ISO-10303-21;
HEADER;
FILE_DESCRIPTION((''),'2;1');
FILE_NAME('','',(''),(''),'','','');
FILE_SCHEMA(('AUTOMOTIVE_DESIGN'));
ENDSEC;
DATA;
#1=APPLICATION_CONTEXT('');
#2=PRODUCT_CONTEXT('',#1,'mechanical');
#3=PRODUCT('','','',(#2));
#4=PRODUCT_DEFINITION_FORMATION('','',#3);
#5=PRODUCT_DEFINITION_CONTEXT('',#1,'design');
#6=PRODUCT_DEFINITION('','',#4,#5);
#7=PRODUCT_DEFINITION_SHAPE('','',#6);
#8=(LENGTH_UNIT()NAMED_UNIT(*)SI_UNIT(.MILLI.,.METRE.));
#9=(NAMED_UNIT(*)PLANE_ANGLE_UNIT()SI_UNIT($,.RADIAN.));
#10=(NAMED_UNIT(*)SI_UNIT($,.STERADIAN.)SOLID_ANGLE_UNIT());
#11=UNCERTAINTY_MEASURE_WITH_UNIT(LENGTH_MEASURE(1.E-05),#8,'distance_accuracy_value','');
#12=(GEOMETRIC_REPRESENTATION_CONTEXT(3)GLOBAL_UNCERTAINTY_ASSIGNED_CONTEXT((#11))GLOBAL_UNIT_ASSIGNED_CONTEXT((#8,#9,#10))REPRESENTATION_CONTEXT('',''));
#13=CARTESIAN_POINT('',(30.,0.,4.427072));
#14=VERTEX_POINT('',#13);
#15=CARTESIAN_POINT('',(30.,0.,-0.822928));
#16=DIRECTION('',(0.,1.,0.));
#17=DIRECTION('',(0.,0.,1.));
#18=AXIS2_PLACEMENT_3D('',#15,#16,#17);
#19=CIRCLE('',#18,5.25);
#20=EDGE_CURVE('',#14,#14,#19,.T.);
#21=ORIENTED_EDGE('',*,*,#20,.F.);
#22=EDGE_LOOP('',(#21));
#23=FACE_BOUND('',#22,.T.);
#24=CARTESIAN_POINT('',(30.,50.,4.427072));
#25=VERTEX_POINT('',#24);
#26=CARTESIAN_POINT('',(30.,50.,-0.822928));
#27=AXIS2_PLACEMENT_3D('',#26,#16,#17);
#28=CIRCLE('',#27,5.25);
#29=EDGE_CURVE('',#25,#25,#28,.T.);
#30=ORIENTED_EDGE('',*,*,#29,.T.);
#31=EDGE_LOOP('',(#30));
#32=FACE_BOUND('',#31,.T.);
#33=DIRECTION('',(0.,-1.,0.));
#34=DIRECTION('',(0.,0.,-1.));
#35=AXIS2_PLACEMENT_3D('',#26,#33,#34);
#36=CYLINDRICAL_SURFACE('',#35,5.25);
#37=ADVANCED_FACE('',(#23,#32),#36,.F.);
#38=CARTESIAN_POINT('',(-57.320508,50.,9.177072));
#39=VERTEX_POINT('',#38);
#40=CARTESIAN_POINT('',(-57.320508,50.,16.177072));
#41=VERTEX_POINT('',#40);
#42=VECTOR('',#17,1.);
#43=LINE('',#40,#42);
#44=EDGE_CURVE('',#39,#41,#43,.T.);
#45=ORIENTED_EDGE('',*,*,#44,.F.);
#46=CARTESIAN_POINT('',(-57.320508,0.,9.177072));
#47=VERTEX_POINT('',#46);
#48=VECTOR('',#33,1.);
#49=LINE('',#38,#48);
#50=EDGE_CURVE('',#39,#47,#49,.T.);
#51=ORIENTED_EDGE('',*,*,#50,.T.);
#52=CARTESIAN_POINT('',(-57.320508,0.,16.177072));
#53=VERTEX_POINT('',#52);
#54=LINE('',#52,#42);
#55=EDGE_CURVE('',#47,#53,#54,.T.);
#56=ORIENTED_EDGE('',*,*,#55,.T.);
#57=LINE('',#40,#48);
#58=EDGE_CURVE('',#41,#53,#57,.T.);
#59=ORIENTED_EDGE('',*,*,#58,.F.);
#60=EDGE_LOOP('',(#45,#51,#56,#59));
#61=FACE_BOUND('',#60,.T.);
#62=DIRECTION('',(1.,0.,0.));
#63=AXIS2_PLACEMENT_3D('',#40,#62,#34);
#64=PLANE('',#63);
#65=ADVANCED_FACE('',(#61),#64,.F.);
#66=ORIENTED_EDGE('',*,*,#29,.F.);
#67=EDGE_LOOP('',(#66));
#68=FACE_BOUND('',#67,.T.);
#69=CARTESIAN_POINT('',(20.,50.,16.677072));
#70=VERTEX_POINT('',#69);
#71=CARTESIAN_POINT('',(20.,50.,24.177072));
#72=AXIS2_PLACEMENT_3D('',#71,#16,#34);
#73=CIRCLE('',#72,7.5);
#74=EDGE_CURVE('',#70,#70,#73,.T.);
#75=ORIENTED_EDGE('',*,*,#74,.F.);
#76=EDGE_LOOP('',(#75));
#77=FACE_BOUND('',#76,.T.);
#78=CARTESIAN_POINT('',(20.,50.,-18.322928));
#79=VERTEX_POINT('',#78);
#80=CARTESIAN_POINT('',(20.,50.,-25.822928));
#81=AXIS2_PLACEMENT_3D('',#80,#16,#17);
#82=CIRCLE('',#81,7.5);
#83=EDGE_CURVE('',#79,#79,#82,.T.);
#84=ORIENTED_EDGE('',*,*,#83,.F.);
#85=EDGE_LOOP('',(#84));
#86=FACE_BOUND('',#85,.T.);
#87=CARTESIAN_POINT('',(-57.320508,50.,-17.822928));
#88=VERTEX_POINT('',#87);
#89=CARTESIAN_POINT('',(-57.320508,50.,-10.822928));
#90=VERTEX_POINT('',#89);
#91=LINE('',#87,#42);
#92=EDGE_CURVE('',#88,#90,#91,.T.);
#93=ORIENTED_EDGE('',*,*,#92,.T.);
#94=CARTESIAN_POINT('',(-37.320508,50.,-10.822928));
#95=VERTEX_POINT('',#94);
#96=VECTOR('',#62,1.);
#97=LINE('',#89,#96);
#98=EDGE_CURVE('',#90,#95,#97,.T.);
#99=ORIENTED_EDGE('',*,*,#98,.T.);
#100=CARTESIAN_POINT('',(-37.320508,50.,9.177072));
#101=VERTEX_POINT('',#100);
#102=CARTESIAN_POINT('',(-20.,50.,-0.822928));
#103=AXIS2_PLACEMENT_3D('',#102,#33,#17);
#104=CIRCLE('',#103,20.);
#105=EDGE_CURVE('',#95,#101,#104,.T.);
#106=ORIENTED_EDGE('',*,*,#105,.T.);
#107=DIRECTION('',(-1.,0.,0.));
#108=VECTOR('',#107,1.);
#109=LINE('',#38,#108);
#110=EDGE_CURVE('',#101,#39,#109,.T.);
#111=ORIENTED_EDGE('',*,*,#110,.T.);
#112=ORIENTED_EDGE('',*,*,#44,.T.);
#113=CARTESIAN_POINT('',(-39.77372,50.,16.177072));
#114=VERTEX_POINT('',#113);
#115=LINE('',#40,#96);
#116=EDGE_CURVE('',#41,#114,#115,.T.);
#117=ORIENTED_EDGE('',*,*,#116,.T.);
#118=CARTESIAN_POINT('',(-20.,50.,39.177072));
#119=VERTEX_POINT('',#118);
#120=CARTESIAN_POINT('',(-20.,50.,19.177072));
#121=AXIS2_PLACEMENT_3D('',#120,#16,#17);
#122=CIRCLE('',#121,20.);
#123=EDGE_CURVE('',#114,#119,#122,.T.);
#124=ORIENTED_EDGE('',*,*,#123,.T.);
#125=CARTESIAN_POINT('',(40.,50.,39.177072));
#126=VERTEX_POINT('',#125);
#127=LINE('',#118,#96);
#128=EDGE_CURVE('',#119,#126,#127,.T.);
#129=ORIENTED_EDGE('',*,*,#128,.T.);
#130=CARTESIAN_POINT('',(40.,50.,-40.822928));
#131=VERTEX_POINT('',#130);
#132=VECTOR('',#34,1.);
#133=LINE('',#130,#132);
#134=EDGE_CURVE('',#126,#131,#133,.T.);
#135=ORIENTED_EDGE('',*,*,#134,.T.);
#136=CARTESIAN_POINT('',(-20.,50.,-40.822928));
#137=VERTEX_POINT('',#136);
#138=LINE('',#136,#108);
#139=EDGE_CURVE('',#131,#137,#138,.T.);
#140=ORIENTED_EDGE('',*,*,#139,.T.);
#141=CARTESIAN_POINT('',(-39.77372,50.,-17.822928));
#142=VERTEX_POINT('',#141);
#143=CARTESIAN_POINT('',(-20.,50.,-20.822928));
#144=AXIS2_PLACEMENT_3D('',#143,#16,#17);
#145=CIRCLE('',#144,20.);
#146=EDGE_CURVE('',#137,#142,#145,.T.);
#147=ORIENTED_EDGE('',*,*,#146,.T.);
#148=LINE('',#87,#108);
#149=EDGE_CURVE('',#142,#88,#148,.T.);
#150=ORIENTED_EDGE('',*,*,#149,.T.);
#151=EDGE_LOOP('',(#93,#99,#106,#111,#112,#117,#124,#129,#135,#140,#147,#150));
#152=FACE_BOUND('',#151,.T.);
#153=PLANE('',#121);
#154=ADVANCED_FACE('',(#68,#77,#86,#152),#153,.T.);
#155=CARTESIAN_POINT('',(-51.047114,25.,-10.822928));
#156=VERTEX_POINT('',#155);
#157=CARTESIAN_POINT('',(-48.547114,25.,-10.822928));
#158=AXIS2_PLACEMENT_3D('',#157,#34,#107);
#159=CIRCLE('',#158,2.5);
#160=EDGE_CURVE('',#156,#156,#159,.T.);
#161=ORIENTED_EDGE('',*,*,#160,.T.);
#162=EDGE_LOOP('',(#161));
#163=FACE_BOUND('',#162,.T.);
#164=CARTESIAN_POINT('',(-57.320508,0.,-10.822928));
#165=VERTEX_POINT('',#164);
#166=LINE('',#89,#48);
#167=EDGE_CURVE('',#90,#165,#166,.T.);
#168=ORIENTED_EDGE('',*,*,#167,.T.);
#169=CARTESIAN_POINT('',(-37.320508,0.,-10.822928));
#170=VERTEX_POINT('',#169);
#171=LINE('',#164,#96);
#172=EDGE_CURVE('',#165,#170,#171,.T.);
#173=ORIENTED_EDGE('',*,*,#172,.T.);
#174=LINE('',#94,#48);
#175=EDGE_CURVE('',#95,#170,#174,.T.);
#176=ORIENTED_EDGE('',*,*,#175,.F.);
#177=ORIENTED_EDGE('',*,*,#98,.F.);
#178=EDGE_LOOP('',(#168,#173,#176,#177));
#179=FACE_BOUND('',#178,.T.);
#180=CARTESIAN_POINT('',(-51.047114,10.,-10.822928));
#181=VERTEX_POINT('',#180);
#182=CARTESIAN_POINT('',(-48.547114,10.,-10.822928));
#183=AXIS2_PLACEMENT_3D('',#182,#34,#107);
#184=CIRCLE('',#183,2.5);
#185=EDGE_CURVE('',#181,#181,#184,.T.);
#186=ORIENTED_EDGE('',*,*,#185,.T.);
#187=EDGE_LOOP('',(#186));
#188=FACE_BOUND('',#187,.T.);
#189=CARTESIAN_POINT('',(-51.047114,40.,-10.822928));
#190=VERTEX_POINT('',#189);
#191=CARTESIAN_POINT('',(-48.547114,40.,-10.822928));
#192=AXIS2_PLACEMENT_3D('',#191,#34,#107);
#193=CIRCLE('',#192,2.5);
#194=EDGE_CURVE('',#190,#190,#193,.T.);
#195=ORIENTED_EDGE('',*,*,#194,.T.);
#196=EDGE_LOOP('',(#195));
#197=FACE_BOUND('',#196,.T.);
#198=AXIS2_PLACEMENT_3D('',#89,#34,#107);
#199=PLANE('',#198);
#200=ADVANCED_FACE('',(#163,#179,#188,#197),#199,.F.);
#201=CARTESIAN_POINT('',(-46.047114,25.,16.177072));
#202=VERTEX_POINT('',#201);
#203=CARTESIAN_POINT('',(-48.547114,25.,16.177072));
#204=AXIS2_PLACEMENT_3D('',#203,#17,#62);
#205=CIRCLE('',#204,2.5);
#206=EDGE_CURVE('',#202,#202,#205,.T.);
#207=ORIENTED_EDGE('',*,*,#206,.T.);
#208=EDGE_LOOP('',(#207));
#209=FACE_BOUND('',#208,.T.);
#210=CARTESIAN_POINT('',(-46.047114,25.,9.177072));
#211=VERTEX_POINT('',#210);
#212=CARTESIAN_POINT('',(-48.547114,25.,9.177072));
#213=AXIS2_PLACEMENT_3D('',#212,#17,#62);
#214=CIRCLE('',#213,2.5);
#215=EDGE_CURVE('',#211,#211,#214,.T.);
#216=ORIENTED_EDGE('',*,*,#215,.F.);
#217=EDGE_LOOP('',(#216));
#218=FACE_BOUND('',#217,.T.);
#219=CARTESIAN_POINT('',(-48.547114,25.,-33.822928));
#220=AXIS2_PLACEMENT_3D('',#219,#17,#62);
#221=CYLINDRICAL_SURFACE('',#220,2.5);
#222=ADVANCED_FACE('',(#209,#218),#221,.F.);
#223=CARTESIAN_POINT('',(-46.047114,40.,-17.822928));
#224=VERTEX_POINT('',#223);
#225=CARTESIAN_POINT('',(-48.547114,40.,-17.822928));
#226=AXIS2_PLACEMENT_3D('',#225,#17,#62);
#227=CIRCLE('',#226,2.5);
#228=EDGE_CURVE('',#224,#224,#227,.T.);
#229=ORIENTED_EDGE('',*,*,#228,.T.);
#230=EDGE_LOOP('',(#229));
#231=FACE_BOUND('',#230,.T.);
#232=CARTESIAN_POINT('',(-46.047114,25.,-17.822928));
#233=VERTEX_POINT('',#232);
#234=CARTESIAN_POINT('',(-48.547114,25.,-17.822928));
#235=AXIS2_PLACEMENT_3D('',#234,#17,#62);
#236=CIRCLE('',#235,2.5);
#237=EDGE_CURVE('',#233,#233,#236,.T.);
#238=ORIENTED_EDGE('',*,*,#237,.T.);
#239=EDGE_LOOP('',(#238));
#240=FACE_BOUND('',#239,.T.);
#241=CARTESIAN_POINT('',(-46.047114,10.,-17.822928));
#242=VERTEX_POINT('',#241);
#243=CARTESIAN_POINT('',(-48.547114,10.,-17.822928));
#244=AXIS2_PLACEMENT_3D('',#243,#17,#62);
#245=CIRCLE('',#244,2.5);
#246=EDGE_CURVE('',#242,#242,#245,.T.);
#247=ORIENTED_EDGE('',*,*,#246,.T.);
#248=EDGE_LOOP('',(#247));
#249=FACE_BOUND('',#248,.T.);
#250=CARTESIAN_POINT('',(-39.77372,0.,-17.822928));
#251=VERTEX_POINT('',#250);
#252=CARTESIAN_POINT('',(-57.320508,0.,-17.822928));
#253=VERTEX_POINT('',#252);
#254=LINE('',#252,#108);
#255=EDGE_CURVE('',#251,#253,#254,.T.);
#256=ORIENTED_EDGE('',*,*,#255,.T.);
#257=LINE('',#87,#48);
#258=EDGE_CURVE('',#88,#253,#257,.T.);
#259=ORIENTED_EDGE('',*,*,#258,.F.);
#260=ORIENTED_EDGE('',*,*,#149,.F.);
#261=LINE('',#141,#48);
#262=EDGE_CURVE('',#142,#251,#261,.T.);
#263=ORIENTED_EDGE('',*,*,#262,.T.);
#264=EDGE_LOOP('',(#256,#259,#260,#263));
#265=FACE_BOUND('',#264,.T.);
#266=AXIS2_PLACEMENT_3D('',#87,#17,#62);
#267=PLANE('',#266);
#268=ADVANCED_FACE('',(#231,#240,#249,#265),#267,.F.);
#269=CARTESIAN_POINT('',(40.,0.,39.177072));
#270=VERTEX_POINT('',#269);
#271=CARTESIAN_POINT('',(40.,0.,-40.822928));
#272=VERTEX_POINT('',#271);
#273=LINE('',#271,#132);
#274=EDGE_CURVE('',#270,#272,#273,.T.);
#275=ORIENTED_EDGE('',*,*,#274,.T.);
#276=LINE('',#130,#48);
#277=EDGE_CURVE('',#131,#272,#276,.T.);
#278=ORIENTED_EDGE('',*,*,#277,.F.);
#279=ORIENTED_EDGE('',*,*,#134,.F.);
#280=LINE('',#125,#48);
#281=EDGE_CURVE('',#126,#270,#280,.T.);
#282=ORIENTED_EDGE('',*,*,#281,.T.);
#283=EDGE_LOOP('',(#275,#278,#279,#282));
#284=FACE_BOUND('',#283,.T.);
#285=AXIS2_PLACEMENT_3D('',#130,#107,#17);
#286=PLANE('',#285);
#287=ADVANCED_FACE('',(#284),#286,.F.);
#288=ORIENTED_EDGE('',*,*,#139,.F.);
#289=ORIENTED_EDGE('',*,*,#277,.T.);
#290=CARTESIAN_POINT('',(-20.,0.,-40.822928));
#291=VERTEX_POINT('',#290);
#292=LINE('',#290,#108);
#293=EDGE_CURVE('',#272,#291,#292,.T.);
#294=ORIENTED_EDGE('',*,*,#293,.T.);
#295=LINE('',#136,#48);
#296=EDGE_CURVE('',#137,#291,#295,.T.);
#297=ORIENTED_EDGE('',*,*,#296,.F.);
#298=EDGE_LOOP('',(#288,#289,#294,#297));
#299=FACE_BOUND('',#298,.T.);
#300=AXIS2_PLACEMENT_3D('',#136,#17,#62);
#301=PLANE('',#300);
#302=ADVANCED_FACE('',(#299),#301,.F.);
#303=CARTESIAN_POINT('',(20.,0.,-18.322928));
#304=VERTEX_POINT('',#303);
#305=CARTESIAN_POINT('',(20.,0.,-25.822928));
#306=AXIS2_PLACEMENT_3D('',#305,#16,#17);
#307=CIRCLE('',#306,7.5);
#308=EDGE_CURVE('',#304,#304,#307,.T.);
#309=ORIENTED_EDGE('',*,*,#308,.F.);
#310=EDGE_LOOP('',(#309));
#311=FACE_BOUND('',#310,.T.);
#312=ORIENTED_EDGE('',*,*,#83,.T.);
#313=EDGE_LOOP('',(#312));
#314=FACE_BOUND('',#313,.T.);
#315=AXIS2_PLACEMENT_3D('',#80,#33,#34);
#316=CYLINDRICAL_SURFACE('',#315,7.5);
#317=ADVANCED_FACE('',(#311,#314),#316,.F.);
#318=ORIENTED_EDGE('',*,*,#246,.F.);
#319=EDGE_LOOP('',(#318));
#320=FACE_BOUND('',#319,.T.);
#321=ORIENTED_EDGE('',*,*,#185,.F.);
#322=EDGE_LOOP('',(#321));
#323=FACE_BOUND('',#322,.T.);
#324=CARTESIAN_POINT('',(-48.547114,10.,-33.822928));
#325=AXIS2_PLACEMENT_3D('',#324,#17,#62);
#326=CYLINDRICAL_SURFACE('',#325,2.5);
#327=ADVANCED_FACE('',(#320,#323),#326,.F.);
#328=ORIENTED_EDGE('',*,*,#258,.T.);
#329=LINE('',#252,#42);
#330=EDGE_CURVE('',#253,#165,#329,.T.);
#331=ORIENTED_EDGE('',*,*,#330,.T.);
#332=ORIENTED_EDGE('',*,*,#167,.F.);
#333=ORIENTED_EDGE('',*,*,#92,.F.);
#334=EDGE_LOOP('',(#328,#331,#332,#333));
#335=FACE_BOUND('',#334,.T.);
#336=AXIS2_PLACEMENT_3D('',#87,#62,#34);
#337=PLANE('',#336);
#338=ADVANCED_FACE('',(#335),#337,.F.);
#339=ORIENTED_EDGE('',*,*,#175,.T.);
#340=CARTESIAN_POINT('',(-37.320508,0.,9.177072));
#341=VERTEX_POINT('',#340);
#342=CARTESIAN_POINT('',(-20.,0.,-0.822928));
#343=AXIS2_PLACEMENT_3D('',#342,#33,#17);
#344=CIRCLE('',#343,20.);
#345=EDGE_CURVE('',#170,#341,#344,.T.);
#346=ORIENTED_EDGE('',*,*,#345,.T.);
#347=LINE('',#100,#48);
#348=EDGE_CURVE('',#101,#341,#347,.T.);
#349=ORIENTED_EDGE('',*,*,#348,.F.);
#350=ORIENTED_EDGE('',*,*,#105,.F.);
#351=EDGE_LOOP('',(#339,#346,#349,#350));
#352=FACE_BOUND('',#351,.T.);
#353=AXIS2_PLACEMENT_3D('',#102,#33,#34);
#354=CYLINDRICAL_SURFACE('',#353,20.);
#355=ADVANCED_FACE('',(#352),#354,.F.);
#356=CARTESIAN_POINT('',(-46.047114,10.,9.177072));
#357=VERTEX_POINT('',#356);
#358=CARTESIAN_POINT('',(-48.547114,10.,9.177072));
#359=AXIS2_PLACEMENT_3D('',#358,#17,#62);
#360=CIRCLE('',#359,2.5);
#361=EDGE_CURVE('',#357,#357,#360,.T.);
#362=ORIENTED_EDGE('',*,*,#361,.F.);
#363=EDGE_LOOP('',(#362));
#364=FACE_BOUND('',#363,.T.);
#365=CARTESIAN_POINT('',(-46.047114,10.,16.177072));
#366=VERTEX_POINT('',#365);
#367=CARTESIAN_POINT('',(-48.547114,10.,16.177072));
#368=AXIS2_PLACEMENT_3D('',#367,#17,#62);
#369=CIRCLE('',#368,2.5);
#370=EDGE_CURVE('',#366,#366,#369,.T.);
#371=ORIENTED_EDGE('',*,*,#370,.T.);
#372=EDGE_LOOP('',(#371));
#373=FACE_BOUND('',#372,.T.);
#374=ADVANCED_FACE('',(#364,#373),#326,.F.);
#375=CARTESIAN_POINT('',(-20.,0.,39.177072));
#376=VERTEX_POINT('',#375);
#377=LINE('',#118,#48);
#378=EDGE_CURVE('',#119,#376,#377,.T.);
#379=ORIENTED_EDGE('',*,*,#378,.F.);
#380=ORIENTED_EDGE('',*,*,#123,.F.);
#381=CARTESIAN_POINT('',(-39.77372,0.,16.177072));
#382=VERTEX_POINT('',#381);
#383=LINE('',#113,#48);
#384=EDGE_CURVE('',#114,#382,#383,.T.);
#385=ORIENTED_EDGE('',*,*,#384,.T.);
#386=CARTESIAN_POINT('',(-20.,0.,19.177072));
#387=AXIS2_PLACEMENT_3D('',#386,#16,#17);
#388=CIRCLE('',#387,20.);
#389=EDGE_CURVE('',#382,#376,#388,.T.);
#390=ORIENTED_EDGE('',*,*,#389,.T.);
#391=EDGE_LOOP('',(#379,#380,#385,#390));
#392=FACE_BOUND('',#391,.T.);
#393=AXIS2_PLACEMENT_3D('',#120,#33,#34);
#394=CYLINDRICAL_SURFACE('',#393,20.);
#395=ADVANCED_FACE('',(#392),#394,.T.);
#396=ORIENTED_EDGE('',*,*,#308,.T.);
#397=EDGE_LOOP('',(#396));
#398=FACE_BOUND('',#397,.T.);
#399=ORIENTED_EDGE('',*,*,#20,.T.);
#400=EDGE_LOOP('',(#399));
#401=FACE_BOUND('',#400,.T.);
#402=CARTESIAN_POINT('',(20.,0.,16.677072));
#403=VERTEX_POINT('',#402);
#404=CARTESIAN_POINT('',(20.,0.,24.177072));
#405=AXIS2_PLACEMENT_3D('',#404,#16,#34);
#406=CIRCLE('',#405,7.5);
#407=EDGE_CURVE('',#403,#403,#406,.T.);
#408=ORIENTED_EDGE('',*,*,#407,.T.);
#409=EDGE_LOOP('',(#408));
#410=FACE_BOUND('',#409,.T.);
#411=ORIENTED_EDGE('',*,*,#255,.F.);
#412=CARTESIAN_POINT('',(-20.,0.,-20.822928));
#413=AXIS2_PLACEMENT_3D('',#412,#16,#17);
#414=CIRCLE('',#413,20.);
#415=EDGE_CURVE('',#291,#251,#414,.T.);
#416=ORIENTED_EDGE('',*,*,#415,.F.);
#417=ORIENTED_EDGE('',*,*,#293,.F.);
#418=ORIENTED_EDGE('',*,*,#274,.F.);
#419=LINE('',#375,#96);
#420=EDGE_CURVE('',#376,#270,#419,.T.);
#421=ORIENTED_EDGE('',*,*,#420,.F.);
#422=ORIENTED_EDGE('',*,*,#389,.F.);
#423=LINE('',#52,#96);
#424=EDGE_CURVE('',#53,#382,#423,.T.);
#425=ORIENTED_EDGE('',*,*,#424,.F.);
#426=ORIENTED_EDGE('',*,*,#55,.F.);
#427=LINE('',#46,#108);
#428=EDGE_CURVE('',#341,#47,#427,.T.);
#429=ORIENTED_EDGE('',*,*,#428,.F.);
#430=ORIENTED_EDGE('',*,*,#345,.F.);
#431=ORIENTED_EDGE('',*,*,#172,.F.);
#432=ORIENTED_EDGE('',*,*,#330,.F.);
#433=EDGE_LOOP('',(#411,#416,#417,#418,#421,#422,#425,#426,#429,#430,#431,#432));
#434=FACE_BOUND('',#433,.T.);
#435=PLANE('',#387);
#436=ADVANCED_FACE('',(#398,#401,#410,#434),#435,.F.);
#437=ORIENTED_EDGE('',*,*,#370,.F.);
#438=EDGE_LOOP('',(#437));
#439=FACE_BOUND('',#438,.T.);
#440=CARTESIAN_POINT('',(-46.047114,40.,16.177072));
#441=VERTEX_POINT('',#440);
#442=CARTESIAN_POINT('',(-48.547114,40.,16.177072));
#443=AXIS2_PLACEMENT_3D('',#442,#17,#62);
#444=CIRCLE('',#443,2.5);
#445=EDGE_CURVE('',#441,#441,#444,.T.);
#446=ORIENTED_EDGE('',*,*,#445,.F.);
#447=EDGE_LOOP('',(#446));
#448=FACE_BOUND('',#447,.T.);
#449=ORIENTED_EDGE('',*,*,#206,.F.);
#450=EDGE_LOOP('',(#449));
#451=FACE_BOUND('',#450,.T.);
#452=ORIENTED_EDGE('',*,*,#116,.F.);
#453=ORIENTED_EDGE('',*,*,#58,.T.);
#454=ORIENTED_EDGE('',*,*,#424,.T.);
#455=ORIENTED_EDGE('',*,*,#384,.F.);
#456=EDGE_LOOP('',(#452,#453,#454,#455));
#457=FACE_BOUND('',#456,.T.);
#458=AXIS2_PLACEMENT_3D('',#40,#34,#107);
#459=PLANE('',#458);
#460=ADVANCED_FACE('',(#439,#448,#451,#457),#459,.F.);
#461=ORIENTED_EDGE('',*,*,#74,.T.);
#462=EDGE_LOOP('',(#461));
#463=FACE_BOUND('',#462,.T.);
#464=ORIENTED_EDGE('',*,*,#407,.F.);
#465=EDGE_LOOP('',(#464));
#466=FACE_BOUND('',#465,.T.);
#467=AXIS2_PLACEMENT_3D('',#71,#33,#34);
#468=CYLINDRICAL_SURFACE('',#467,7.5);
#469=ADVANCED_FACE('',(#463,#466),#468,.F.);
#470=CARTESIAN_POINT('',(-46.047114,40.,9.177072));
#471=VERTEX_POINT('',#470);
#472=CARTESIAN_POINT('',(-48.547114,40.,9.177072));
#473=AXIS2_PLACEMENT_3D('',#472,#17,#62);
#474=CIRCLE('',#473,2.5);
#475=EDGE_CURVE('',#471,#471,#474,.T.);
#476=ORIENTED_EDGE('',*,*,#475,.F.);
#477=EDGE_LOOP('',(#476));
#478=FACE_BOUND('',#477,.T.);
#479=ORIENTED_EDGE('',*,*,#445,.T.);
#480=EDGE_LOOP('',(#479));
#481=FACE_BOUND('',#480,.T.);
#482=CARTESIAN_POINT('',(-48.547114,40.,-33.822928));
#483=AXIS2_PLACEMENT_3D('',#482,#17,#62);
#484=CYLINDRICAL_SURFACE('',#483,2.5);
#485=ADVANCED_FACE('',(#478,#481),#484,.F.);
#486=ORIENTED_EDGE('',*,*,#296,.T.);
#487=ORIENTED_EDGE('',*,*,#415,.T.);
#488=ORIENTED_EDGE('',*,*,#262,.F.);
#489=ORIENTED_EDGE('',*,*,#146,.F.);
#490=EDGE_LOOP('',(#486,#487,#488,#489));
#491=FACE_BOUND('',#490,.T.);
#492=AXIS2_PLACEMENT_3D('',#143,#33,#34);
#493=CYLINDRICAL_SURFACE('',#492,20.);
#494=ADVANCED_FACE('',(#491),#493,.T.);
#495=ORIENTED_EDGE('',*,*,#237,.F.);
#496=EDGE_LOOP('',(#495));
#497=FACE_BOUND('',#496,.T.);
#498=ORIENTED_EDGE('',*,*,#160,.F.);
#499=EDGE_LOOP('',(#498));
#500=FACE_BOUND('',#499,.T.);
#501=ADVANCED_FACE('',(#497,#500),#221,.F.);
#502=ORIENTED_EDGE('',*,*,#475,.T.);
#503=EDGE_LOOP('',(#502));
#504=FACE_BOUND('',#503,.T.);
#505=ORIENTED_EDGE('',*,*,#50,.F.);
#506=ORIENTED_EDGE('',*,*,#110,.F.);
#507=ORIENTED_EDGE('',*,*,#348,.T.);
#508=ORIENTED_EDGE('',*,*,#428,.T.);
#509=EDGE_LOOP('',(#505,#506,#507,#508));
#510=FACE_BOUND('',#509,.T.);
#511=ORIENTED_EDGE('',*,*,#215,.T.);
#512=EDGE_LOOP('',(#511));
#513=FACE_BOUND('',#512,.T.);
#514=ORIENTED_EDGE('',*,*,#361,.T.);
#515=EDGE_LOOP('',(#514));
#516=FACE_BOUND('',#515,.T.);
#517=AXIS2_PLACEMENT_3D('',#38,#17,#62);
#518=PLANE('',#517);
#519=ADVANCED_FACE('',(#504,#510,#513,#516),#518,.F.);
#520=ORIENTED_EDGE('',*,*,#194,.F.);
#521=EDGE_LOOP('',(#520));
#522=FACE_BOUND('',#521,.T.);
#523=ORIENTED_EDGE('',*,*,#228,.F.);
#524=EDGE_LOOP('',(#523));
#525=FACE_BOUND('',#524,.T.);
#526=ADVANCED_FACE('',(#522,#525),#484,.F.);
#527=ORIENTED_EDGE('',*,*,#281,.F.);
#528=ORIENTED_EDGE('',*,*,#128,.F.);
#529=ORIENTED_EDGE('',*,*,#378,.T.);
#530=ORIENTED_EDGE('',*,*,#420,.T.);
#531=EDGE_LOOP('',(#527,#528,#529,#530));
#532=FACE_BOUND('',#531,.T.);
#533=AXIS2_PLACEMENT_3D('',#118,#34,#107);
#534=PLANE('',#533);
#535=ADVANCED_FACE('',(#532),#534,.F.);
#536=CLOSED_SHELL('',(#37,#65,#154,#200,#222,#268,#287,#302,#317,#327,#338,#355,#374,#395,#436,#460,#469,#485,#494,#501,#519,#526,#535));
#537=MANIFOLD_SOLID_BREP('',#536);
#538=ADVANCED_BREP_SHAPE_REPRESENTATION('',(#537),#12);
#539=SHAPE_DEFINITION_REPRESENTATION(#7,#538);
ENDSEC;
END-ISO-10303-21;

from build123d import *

# Parameters (mm, degrees)
SKETCH1_R           = 7.5
SKETCH1_R_2         = 5.25
BOSS_EXTRUDE1_DEPTH = 50
SKETCH2_R           = 2.5
CUT_EXTRUDE1_DEPTH  = 50


with BuildPart() as part:
    # Sketch1 → Boss-Extrude1 (new body)
    with BuildSketch(Plane(origin=(0, 0, 0), x_dir=(1, 0, 0), z_dir=(0, 1, 0))):
        with BuildLine():
            Line((-20, 40.822928267), (40, 40.822928267))
            Line((40, 40.822928267), (40, -39.177071733))
            Line((40, -39.177071733), (-20, -39.177071733))
            ThreePointArc((-20, -39.177071733), (-35.165750888, -32.215476544), (-39.773719933, -16.177071733))
            Line((-39.773719933, -16.177071733), (-57.320508076, -16.177071733))
            Line((-57.320508076, -16.177071733), (-57.320508076, -9.177071733))
            Line((-57.320508076, -9.177071733), (-37.320508076, -9.177071733))
            ThreePointArc((-37.320508076, -9.177071733), (0, 0.822928267), (-37.320508076, 10.822928267))
            Line((-37.320508076, 10.822928267), (-57.320508076, 10.822928267))
            Line((-57.320508076, 10.822928267), (-57.320508076, 17.822928267))
            Line((-57.320508076, 17.822928267), (-39.773719933, 17.822928267))
            ThreePointArc((-39.773719933, 17.822928267), (-35.165750888, 33.861333077), (-20, 40.822928267))
        make_face()
        with Locations(Location((20, 25.822928267, 0), (0, 0, 270))):
            Circle(SKETCH1_R, mode=Mode.SUBTRACT)
        with Locations(Location((20, -24.177071733, 0), (0, 0, 90))):
            Circle(SKETCH1_R, mode=Mode.SUBTRACT)
        with Locations(Location((30, 0.822928267, 0), (0, 0, 270))):
            Circle(SKETCH1_R_2, mode=Mode.SUBTRACT)
    extrude(amount=BOSS_EXTRUDE1_DEPTH)

    # Sketch2 → Cut-Extrude1 (cut)
    with BuildSketch(Plane.XY.offset(16.177071733)):
        with Locations((-48.547114004, 40)):
            Circle(SKETCH2_R)
        with Locations((-48.547114004, 25)):
            Circle(SKETCH2_R)
        with Locations((-48.547114004, 10)):
            Circle(SKETCH2_R)
    extrude(amount=-CUT_EXTRUDE1_DEPTH, mode=Mode.SUBTRACT)


solid = part.part
